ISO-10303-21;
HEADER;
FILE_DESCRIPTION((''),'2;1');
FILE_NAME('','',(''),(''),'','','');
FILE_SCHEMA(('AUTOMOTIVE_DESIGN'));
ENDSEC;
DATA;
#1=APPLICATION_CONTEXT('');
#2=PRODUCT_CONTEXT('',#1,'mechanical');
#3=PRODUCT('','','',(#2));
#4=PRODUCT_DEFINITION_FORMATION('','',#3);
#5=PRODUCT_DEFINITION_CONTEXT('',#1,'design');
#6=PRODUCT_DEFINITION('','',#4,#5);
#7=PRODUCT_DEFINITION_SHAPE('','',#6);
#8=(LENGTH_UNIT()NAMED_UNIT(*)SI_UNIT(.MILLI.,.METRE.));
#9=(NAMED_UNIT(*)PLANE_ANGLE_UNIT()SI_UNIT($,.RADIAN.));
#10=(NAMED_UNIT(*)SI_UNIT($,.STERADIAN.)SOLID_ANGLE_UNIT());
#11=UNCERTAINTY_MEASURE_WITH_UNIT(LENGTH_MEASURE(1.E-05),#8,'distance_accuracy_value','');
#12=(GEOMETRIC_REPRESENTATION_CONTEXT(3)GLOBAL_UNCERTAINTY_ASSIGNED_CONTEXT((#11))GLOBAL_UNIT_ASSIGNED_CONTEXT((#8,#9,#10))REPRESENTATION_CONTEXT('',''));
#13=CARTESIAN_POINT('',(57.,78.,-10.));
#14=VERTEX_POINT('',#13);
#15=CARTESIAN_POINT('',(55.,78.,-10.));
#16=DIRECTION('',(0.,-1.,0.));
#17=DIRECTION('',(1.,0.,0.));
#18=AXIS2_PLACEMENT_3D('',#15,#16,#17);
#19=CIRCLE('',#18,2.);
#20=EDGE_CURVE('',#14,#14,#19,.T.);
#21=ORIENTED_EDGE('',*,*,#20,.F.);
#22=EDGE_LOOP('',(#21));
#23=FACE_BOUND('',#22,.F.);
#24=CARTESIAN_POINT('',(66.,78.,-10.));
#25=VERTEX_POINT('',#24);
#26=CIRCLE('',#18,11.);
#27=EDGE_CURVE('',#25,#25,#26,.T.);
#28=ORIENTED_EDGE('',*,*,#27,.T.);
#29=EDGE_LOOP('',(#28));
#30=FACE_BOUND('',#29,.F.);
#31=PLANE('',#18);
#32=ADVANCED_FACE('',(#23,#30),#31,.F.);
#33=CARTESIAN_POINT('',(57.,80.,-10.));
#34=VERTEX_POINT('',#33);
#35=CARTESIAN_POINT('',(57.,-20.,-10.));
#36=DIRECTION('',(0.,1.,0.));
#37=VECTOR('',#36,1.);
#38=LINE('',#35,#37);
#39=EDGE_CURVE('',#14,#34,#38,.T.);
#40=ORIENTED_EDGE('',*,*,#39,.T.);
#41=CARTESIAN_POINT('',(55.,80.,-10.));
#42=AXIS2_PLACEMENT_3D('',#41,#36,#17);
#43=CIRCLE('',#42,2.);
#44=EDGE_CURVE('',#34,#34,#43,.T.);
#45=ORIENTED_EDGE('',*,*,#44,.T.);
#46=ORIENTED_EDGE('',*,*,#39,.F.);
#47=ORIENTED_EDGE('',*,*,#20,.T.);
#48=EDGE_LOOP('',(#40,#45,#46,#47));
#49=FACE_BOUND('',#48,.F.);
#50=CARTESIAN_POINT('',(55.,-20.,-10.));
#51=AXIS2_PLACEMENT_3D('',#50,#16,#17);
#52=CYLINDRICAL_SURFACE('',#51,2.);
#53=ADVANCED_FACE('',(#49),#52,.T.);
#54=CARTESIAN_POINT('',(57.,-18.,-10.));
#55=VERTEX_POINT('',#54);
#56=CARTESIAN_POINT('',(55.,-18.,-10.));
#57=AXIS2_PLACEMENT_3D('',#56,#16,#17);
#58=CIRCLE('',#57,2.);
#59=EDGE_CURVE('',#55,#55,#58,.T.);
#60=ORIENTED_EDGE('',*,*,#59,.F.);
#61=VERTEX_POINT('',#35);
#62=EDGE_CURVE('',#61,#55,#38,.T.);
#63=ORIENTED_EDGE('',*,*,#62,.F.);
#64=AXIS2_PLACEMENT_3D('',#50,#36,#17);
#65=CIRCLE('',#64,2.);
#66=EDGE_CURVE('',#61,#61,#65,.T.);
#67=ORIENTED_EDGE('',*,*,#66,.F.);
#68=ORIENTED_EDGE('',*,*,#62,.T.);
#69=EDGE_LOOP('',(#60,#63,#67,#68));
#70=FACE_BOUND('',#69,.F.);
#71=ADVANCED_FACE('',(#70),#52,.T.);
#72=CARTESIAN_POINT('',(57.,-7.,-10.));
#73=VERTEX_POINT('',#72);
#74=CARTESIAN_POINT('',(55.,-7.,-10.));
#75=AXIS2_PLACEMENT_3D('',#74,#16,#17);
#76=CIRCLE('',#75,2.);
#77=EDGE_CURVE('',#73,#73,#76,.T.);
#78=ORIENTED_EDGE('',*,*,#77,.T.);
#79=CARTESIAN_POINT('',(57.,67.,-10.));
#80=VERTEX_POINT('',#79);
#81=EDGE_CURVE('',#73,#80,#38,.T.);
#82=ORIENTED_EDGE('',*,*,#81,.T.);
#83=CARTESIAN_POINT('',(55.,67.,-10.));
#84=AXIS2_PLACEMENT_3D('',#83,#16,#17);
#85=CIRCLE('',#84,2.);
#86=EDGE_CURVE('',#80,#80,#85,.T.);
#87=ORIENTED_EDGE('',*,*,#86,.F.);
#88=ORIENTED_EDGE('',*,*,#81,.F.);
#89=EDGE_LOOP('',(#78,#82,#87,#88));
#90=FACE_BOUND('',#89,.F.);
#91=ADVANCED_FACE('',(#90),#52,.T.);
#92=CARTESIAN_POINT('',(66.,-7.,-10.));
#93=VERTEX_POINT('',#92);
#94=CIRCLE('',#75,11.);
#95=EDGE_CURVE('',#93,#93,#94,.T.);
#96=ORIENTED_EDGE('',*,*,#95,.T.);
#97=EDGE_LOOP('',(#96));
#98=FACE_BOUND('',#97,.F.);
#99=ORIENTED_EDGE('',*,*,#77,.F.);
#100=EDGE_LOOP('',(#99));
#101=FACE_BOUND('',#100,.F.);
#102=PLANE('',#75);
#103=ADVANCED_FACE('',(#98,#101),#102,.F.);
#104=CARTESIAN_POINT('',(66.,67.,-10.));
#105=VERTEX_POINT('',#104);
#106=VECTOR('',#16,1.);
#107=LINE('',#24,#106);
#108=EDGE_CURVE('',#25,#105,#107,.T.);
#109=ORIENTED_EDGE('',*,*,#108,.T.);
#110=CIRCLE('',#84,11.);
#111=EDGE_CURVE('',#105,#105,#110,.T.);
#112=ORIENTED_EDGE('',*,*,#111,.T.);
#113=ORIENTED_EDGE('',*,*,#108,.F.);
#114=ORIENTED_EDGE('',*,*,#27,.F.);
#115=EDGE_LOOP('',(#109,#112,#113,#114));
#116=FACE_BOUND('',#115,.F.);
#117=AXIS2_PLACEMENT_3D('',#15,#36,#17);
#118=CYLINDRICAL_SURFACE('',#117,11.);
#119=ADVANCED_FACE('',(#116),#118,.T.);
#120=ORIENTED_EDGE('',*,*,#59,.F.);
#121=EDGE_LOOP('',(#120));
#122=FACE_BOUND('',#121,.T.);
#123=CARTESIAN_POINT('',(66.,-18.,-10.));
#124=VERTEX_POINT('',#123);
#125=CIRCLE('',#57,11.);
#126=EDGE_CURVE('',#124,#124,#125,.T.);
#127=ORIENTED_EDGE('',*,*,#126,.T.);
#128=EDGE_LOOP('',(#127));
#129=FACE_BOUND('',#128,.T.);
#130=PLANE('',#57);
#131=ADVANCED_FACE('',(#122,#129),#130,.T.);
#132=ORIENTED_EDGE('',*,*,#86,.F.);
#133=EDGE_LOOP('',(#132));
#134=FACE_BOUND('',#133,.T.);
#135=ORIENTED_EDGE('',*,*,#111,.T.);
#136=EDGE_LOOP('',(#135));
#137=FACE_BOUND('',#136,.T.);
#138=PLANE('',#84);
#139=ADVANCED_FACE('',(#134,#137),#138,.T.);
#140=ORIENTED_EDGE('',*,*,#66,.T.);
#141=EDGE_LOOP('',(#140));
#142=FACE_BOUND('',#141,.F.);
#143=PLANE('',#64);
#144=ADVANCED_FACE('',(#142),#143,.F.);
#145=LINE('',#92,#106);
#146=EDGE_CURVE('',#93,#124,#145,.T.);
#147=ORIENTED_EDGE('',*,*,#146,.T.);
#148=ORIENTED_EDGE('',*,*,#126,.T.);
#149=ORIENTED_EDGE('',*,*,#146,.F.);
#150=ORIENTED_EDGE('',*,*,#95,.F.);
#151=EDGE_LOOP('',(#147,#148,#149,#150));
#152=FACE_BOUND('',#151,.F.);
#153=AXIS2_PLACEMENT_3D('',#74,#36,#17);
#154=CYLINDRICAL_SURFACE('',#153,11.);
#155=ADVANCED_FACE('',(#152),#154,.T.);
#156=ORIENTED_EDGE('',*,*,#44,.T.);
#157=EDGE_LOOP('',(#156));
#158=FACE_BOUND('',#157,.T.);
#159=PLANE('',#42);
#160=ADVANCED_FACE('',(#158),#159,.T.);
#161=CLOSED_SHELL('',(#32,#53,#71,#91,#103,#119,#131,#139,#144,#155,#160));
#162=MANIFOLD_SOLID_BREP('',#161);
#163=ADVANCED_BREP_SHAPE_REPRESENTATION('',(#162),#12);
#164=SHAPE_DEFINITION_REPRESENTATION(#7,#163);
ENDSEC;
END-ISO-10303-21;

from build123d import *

# Parameters (mm, degrees)
CYLINDER002001001002_R             = 11
CYLINDER002001001002_DEPTH         = 11
CYLINDER002001001002_ROLL_ANGLE    = 90
CYLINDER002001001002001_R          = 11
CYLINDER002001001002001_DEPTH      = 11
CYLINDER002001001002001_ROLL_ANGLE = 90
CYLINDER002001002001_R             = 2
CYLINDER002001002001_DEPTH         = 100
CYLINDER002001002001_ROLL_ANGLE    = -90


with BuildPart() as wheel006:
    # Cylinder002001001002 → Cylinder002001001002 (new body)
    with BuildSketch(Plane.XY):
        Circle(CYLINDER002001001002_R)
    extrude(amount=CYLINDER002001001002_DEPTH)


with BuildPart() as wheel006_1:
    # Cylinder002001001002 roll: moved
    add(wheel006.part.rotate(Axis((0, 0, 0), (1, 0, 0)), CYLINDER002001001002_ROLL_ANGLE))


with BuildPart() as wheel006_2:
    # Cylinder002001001002 placement: moved
    add(wheel006_1.part.moved(Location((20, 78, 14))))


with BuildPart() as wheel007:
    # Cylinder002001001002001 → Cylinder002001001002001 (new body)
    with BuildSketch(Plane.XY):
        Circle(CYLINDER002001001002001_R)
    extrude(amount=CYLINDER002001001002001_DEPTH)


with BuildPart() as wheel007_1:
    # Cylinder002001001002001 roll: moved
    add(wheel007.part.rotate(Axis((0, 0, 0), (1, 0, 0)), CYLINDER002001001002001_ROLL_ANGLE))


with BuildPart() as wheel007_2:
    # Cylinder002001001002001 placement: moved
    add(wheel007_1.part.moved(Location((20, -7, 14))))


with BuildPart() as swheelset1:
    # Cylinder002001002001 → Cylinder002001002001 (new body)
    with BuildSketch(Plane.XY):
        Circle(CYLINDER002001002001_R)
    extrude(amount=CYLINDER002001002001_DEPTH)


with BuildPart() as swheelset1_1:
    # Cylinder002001002001 roll: moved
    add(swheelset1.part.rotate(Axis((0, 0, 0), (1, 0, 0)), CYLINDER002001002001_ROLL_ANGLE))


with BuildPart() as swheelset1_2:
    # Cylinder002001002001 placement: moved
    add(swheelset1_1.part.moved(Location((20, -20, 14))))

    # Fusion002001002002002: union Wheel006, Wheel007
    add(wheel006_2.part)
    add(wheel007_2.part)


with BuildPart() as swheelset1_3:
    # Fusion002001002002002 placement: moved
    add(swheelset1_2.part.moved(Location((35, 0, -24))))


solid = swheelset1_3.part
